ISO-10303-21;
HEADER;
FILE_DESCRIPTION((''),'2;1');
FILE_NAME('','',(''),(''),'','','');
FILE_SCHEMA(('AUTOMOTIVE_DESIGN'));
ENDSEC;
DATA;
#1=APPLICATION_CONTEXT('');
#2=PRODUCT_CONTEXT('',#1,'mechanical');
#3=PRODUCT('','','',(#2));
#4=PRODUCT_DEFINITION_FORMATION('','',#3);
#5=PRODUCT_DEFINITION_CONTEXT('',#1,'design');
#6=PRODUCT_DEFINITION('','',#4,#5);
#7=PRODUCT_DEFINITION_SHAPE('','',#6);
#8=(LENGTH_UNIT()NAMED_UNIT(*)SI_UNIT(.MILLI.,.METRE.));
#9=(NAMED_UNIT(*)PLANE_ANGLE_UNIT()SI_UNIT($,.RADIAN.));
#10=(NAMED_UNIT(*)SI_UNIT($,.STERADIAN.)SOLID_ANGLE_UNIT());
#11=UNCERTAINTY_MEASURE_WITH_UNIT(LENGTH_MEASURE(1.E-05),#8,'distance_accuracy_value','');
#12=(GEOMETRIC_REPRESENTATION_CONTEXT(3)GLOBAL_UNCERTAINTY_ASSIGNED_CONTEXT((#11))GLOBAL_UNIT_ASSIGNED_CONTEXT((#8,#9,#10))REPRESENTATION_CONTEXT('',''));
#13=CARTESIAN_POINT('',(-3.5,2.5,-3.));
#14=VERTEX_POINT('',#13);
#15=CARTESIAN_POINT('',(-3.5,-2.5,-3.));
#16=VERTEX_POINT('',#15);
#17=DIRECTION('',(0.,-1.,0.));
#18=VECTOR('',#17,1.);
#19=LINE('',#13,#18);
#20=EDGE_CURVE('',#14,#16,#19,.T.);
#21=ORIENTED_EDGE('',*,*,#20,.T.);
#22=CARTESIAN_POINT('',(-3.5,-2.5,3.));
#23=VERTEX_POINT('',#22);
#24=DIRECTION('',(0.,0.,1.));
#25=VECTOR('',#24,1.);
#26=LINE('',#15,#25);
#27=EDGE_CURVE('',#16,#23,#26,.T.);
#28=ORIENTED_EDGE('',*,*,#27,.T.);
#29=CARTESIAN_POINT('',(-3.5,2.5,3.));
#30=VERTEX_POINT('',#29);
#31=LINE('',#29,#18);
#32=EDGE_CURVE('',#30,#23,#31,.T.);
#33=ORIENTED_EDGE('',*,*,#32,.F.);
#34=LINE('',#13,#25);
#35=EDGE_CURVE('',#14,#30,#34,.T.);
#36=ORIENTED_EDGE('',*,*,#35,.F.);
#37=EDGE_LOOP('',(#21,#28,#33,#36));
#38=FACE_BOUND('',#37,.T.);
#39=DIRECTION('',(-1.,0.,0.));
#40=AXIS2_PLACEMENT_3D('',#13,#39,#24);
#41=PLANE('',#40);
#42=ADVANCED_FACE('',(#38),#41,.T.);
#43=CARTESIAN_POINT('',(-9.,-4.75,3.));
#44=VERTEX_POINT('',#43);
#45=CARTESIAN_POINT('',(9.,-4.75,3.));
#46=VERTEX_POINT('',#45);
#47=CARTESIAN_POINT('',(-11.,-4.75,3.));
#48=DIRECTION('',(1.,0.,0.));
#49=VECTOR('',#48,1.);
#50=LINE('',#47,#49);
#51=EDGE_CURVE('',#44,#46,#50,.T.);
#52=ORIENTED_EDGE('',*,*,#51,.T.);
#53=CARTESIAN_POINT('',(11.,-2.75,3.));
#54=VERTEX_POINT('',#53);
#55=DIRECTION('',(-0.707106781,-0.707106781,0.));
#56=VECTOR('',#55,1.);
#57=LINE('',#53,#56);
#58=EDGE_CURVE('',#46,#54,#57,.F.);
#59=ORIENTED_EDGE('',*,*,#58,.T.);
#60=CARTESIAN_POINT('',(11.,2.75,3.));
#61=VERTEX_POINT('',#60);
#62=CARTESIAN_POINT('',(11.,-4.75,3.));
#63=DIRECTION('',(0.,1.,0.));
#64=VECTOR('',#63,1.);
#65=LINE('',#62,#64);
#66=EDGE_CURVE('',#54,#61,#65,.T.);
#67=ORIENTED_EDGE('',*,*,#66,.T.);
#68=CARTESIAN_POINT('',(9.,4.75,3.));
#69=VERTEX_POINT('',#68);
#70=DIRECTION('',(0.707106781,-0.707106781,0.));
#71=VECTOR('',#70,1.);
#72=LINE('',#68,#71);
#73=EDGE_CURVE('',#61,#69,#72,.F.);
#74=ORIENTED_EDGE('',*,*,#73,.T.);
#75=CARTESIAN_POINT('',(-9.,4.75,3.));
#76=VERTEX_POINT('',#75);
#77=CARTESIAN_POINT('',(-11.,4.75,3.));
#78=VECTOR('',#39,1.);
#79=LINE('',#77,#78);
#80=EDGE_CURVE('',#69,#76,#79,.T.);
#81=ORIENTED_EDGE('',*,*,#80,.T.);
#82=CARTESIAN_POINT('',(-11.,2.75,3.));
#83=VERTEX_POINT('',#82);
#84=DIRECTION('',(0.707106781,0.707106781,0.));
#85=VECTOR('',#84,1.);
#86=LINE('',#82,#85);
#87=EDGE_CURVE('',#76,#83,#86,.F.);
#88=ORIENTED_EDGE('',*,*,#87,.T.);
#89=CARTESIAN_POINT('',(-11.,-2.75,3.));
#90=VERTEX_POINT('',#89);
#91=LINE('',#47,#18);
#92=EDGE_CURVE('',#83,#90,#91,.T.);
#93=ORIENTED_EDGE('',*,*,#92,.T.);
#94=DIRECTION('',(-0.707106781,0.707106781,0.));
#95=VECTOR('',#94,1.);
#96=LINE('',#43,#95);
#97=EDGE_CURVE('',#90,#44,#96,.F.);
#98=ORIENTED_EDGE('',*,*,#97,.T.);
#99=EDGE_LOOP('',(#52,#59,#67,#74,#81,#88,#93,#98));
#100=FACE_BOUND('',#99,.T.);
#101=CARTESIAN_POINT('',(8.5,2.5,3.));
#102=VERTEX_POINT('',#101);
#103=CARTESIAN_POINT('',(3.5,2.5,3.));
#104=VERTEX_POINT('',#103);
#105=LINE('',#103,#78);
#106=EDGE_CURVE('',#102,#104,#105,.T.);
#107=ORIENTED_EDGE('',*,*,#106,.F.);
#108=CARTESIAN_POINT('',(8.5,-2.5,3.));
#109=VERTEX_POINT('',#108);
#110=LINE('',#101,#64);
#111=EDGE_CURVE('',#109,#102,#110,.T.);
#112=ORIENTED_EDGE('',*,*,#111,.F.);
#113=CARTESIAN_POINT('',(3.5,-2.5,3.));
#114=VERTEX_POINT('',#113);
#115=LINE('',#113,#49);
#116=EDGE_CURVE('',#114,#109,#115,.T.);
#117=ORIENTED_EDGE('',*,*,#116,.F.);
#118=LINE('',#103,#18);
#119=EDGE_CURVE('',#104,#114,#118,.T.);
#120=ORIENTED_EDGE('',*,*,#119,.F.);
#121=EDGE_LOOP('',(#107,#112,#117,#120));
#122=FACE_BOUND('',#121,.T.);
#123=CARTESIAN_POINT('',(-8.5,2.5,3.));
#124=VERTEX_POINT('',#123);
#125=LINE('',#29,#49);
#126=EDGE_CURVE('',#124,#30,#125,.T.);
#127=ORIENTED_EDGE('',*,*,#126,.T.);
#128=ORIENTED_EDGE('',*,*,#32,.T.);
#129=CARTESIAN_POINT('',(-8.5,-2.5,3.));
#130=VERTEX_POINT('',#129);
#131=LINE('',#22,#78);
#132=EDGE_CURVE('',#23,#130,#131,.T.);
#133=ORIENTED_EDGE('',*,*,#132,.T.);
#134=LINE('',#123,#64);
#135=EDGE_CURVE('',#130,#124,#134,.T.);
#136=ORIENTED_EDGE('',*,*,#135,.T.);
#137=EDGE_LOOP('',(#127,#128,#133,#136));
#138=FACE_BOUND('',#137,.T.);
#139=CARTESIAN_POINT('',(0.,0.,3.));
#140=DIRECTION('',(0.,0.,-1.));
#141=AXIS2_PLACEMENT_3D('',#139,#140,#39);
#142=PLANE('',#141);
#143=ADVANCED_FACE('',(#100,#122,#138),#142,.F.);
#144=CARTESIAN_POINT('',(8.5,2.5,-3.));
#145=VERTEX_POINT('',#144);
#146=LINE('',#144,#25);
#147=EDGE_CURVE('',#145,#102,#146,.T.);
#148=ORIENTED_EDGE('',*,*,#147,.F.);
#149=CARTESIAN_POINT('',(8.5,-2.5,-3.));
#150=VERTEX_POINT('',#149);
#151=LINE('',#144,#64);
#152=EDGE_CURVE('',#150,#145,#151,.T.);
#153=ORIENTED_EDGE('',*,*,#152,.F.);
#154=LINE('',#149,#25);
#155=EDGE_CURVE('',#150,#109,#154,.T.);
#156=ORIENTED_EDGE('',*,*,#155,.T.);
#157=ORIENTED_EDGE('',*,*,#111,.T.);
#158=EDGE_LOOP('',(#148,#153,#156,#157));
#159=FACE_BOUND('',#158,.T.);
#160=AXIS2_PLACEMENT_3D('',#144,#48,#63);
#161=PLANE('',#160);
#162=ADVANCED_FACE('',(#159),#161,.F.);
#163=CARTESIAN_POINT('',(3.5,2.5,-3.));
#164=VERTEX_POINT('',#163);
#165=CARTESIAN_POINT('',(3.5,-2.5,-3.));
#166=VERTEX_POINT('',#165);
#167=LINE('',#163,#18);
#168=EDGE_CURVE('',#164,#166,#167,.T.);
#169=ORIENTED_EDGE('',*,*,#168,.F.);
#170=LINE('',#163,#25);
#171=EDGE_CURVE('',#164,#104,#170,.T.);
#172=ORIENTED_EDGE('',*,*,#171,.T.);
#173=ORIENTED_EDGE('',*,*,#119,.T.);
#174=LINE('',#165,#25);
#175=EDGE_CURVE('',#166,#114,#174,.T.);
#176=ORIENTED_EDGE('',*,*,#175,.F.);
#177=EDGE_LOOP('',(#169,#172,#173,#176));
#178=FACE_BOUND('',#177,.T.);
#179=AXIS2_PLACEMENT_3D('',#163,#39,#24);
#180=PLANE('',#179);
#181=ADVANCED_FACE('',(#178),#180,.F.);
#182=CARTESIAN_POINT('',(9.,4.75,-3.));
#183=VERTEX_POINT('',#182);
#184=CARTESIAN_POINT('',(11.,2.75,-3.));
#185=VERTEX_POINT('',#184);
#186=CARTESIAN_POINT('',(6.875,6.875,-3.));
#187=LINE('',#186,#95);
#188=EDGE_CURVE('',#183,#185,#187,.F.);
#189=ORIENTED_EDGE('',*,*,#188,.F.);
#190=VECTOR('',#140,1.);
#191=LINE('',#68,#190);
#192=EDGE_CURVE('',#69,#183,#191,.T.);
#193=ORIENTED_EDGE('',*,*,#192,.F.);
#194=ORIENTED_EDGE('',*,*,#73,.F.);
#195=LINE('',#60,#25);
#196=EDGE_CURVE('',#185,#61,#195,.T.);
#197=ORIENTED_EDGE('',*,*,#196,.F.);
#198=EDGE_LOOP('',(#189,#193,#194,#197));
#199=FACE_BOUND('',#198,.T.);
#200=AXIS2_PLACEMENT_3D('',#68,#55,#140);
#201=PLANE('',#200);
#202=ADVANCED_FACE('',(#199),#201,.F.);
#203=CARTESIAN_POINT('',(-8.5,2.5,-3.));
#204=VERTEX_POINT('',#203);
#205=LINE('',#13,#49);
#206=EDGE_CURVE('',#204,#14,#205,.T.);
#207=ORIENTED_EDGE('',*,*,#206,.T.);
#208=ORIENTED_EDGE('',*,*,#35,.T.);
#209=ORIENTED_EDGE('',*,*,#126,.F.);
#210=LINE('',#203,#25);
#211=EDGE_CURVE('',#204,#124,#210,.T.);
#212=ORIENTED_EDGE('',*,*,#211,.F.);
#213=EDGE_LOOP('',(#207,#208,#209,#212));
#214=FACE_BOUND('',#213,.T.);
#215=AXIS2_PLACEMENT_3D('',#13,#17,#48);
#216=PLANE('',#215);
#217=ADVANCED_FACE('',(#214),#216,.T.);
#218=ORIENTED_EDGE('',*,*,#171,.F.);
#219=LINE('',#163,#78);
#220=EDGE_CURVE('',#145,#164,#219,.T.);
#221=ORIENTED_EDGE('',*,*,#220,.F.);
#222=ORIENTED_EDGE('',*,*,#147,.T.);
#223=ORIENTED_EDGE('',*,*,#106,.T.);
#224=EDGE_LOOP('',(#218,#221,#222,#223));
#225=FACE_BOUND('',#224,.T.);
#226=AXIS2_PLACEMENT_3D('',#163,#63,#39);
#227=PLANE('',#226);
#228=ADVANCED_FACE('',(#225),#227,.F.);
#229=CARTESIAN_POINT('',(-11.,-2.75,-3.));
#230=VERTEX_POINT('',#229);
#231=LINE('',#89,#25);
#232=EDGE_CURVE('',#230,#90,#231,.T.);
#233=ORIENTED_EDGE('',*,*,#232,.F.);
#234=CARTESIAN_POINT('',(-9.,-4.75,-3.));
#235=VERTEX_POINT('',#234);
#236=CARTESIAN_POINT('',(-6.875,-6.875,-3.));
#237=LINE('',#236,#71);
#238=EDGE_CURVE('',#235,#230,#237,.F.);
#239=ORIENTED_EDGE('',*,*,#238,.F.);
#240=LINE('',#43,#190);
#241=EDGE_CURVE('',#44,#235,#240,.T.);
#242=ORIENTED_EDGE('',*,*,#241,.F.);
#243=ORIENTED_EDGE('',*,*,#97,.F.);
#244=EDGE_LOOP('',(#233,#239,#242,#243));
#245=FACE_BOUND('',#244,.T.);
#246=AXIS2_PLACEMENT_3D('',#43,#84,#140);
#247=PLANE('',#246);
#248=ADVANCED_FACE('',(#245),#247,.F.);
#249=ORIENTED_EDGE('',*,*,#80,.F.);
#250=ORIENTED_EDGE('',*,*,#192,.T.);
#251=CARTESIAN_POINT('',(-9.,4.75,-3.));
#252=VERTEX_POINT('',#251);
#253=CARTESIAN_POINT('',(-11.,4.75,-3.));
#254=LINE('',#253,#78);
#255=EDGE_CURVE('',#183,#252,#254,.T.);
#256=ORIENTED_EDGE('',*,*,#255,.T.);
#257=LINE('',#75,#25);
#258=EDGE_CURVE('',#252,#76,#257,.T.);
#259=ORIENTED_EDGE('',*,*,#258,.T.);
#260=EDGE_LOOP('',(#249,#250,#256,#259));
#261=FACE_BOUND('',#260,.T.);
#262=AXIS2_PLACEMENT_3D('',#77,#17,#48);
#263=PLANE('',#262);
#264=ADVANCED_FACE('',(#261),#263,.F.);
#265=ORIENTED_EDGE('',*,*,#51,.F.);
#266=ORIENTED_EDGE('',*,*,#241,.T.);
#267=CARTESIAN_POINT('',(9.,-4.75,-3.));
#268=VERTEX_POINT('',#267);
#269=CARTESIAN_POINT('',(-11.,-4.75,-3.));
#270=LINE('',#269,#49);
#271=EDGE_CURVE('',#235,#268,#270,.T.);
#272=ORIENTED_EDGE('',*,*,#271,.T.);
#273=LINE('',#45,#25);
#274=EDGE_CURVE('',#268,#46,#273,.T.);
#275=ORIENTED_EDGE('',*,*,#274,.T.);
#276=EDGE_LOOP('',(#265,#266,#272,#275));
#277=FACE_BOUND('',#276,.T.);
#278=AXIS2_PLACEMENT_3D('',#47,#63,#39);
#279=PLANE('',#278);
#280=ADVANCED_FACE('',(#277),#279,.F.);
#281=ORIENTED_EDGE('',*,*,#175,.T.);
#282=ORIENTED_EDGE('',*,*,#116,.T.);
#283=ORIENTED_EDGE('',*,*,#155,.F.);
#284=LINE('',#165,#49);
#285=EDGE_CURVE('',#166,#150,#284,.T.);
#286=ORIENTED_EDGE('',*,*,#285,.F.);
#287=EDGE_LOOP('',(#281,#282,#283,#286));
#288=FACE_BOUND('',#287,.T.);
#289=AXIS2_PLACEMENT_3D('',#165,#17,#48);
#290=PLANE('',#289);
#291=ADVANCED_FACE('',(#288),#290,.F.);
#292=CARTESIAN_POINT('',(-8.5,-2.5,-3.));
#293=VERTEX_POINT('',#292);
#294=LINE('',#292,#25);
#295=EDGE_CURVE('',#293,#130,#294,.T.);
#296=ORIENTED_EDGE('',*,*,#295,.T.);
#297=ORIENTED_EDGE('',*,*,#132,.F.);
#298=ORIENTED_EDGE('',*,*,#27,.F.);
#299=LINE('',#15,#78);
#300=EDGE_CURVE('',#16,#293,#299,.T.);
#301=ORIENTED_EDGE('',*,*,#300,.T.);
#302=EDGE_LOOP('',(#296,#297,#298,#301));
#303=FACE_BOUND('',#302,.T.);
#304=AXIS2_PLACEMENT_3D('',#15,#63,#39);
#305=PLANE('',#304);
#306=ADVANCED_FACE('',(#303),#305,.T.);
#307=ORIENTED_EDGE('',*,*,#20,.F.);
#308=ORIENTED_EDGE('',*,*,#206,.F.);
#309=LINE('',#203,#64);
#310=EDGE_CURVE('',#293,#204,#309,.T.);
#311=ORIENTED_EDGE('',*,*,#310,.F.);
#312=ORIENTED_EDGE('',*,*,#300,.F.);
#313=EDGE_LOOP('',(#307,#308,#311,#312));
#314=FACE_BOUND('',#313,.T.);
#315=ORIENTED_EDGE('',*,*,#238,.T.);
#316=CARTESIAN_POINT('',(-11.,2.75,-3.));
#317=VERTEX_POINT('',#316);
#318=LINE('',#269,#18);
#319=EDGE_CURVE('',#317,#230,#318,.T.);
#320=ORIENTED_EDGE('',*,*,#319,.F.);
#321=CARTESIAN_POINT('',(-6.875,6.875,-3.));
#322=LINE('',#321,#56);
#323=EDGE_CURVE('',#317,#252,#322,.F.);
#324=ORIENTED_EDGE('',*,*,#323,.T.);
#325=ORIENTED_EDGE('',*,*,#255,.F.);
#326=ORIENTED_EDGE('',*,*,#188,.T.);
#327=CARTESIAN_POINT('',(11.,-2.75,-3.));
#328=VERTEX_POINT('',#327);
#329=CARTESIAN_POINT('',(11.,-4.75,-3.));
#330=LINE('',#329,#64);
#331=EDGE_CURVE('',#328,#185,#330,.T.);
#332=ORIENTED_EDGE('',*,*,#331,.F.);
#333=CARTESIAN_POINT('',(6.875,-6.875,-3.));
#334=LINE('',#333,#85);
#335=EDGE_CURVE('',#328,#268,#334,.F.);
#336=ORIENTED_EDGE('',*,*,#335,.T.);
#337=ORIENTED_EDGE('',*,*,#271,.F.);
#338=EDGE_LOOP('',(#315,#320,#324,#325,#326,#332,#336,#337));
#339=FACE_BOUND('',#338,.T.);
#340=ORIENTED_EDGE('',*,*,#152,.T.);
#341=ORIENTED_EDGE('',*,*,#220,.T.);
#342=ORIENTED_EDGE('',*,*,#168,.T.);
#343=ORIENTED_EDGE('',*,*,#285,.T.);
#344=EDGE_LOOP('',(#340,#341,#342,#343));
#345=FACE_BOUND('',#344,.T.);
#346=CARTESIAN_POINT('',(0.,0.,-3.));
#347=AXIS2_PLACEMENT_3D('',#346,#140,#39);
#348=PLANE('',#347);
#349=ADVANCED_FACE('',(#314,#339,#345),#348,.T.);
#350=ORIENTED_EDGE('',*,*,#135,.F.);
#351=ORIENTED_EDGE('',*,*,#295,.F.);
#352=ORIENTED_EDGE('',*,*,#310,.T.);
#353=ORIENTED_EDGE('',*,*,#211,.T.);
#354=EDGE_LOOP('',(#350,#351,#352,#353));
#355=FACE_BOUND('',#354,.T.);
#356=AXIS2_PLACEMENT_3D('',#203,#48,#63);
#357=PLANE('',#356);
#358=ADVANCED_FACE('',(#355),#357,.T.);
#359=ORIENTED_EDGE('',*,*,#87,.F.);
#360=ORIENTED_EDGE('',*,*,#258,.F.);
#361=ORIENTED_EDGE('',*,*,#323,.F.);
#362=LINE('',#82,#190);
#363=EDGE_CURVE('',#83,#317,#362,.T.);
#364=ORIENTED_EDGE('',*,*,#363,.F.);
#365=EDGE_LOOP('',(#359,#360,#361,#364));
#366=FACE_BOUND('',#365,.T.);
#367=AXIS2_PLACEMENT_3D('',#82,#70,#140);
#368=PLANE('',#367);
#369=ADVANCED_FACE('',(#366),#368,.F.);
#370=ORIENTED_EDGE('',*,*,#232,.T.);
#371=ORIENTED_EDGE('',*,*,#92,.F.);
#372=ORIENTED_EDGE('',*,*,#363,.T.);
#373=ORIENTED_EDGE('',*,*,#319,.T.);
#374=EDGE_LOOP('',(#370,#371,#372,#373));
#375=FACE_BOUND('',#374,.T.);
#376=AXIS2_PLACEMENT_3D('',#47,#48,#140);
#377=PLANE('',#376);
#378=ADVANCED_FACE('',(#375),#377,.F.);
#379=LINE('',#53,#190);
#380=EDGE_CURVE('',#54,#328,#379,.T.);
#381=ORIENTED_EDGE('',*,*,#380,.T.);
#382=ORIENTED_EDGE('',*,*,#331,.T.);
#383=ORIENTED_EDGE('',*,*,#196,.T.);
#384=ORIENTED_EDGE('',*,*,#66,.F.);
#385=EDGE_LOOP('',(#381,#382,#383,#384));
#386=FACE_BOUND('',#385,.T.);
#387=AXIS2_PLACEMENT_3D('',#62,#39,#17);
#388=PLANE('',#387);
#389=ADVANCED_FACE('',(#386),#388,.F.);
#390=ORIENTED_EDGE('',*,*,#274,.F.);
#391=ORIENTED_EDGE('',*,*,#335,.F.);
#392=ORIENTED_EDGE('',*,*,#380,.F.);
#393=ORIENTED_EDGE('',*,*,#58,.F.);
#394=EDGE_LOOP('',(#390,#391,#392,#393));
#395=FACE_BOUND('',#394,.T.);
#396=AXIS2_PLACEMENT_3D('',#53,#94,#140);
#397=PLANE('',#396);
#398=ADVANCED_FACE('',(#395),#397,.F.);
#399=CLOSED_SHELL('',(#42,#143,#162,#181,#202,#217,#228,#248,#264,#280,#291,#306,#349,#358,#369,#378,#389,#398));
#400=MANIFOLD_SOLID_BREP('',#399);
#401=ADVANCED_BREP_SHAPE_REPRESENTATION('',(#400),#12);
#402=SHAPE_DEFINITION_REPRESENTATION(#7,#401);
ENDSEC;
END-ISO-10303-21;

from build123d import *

# Parameters (mm, degrees)
SKETCH_1_W          = 22
SKETCH_1_H          = 9.5
EXTRUDE_1_DEPTH     = 3
SKETCH_2_W          = 5
SKETCH_2_H          = 5
CUT_EXTRUDE_1_DEPTH = 14.400093283
CHAMFER_1_SIZE      = 2


with BuildPart() as part:
    # 草图1 → 凸台-拉伸1 (new, symmetric)
    with BuildSketch(Plane.XY):
        Rectangle(SKETCH_1_W, SKETCH_1_H)
    extrude(amount=EXTRUDE_1_DEPTH, both=True)

    # 草图2 → 切除-拉伸1 (cut, through all)
    with BuildSketch(Plane.XY.offset(3)):
        with Locations((6, 0)):
            Rectangle(SKETCH_2_W, SKETCH_2_H)
    cut_extrude_1 = extrude(amount=-CUT_EXTRUDE_1_DEPTH, mode=Mode.SUBTRACT)

    # 镜向1: 切除-拉伸1 across plane
    add(cut_extrude_1.mirror(Plane(origin=(0, 0, 0), x_dir=(0, 0, 1), z_dir=(1, 0, 0))), mode=Mode.SUBTRACT)

    # 倒角1
    chamfer_1_edges = [part.edges().sort_by_distance(p)[0] for p in [
        (11, -4.75, 0),
        (-11, -4.75, 0),
        (-11, 4.75, 0),
        (11, 4.75, 0),
    ]]
    chamfer(chamfer_1_edges, length=CHAMFER_1_SIZE)


solid = part.part
